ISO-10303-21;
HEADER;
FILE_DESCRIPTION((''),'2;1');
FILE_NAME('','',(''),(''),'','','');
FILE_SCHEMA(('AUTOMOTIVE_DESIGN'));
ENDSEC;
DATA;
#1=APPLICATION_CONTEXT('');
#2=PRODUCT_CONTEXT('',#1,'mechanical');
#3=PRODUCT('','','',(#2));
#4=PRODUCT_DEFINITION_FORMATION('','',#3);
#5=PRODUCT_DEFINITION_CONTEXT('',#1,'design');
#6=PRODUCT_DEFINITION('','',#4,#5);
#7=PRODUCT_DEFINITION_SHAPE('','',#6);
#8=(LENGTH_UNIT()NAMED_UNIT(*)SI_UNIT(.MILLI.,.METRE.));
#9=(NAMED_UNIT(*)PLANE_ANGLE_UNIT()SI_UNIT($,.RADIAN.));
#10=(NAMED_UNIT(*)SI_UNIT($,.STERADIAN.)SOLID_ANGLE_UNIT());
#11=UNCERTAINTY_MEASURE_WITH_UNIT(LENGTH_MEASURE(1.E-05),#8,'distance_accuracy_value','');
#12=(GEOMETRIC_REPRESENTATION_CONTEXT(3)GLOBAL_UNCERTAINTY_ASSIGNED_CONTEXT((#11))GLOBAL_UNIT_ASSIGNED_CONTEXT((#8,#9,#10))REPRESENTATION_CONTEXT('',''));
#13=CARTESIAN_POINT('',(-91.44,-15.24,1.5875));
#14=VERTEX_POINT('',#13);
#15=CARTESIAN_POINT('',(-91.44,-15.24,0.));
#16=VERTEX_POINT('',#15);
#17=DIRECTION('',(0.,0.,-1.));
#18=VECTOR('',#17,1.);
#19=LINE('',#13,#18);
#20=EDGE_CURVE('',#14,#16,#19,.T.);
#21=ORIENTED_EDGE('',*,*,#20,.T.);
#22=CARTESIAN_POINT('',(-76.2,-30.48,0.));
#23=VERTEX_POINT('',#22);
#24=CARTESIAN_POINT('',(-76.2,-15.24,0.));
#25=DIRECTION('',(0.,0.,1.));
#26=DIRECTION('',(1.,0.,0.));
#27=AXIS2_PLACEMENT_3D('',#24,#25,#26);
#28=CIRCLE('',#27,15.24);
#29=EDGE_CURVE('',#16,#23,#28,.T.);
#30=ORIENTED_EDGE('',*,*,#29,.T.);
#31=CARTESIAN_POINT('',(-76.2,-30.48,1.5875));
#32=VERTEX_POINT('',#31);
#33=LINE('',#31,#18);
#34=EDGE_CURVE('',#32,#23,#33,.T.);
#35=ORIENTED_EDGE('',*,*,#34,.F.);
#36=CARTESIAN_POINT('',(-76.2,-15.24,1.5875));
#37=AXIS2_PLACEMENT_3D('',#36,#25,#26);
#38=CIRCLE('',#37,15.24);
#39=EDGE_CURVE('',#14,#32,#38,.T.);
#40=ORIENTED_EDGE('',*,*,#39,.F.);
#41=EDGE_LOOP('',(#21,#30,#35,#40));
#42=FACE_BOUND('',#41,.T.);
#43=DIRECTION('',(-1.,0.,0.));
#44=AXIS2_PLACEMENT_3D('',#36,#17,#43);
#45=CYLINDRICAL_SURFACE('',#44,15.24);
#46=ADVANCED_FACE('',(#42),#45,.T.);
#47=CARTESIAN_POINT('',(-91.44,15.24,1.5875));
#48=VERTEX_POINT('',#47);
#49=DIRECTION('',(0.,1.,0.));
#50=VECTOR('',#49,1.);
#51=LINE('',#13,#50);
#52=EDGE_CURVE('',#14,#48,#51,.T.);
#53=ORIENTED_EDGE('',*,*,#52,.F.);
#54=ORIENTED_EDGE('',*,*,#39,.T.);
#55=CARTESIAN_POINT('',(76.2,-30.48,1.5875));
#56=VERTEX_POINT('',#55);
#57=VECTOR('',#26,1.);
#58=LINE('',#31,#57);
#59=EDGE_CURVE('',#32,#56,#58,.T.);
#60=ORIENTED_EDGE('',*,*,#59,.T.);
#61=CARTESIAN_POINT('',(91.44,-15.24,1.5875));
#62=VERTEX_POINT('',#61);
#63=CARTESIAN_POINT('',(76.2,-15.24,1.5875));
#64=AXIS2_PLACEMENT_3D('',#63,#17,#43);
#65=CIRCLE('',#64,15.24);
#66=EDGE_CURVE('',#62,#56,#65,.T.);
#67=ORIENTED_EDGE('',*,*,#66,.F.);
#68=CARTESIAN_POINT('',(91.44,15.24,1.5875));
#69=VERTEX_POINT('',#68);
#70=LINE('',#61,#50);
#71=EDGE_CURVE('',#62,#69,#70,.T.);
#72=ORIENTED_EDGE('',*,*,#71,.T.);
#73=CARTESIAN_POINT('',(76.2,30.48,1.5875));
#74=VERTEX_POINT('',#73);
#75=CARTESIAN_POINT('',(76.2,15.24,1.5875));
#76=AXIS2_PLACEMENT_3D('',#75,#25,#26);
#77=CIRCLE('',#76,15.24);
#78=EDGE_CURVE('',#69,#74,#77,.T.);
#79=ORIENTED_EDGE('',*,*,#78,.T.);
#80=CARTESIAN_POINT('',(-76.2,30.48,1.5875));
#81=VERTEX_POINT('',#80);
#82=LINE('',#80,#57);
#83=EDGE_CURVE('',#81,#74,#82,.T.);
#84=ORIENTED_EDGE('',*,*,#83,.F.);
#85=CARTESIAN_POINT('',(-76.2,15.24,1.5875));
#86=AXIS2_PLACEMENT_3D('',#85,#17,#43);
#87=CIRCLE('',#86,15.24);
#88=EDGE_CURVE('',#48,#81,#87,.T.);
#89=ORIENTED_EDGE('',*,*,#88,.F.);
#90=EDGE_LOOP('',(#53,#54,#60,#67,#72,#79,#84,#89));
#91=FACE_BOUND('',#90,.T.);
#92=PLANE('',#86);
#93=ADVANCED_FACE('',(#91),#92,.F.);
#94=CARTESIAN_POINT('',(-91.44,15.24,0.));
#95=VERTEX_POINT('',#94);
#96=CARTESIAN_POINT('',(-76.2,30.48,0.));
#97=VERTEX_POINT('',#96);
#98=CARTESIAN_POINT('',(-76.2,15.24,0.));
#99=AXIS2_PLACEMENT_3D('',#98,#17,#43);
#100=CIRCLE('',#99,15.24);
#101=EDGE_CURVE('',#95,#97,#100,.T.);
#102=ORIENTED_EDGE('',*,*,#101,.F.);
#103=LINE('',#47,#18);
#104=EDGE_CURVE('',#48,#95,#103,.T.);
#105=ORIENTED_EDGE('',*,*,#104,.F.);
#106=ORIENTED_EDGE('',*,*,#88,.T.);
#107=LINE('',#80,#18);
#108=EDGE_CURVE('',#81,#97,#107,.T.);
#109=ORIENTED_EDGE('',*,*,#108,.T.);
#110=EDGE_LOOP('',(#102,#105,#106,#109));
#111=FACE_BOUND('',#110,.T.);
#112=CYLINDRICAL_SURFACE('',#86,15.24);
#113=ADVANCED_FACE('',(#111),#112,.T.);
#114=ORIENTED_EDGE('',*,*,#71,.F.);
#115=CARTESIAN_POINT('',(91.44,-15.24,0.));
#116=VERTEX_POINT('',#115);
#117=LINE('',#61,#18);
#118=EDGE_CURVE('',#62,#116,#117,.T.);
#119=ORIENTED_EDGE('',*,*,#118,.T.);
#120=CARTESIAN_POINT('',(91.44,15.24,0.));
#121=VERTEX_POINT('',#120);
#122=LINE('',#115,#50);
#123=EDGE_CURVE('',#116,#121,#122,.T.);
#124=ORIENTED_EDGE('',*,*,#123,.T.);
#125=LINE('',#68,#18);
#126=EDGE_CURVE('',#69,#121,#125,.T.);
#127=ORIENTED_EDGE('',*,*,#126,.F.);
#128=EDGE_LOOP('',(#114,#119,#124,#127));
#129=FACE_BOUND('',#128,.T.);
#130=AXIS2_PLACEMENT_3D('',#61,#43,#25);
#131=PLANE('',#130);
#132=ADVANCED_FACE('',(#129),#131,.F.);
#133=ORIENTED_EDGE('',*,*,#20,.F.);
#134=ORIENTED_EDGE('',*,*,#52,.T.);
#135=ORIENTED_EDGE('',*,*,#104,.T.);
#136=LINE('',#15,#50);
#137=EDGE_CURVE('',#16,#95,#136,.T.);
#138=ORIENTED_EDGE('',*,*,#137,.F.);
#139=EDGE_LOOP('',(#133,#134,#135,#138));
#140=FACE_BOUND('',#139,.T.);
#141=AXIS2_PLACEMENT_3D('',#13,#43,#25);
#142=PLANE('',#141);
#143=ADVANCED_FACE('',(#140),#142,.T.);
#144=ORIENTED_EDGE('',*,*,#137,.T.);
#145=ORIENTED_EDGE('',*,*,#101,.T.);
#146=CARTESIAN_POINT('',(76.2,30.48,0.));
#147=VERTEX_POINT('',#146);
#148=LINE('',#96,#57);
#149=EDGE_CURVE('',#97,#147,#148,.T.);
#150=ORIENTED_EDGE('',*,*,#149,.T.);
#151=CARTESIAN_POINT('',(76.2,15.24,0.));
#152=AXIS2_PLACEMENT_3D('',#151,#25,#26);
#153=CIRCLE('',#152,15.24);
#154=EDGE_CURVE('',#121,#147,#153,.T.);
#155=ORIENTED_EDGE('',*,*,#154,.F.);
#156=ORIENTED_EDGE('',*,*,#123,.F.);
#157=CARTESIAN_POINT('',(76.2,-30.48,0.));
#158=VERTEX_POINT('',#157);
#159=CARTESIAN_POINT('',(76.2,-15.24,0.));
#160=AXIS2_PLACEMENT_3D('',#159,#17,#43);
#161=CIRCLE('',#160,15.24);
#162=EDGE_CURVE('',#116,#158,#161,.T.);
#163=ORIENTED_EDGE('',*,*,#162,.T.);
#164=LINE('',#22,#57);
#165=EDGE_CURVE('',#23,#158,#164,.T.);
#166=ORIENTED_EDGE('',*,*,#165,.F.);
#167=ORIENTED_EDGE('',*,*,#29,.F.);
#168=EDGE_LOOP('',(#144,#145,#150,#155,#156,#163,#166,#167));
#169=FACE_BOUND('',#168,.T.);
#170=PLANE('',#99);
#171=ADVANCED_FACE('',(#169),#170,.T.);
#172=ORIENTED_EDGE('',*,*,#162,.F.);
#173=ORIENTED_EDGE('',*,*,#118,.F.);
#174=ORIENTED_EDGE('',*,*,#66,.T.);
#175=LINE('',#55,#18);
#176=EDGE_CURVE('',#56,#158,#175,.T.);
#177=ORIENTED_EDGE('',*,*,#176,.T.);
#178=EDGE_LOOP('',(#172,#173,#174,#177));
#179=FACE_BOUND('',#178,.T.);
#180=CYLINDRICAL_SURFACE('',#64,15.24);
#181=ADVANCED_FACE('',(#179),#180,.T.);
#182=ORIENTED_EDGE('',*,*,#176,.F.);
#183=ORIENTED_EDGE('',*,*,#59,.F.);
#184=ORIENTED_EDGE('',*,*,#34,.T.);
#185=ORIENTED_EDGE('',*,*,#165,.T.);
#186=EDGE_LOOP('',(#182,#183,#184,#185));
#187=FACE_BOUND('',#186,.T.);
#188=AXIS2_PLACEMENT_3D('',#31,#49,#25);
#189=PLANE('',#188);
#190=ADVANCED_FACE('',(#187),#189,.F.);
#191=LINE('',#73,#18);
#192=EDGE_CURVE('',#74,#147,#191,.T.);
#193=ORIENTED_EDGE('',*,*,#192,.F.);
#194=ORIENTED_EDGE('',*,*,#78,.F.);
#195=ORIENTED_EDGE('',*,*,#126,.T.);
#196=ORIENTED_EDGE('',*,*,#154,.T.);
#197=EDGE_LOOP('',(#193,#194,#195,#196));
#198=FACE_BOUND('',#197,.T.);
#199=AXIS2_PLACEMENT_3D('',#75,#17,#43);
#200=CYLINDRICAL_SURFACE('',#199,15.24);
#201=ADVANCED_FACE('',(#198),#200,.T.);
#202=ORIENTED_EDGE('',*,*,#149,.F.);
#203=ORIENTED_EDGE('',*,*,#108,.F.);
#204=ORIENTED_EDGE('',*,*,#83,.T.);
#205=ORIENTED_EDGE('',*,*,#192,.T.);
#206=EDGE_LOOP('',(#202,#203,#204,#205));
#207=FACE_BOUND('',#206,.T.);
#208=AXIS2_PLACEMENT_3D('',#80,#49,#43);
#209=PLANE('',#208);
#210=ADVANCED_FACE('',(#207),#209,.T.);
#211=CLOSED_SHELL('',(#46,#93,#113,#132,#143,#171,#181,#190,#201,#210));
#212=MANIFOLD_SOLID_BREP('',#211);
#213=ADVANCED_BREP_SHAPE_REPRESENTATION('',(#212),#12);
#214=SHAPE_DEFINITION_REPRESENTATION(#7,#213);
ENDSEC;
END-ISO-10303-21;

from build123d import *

# Parameters (mm, degrees)
BOSS_EXTRUDE1_DEPTH = 1.5875


with BuildPart() as part:
    # Sketch1 → Boss-Extrude1 (new body)
    with BuildSketch(Plane.XY):
        with BuildLine():
            Line((-76.2, -30.48), (76.2, -30.48))
            ThreePointArc((76.2, -30.48), (86.976307345, -26.016307345), (91.44, -15.24))
            Line((91.44, -15.24), (91.44, 15.24))
            ThreePointArc((91.44, 15.24), (86.976307345, 26.016307345), (76.2, 30.48))
            Line((76.2, 30.48), (-76.2, 30.48))
            ThreePointArc((-76.2, 30.48), (-86.976307345, 26.016307345), (-91.44, 15.24))
            Line((-91.44, 15.24), (-91.44, -15.24))
            ThreePointArc((-91.44, -15.24), (-86.976307345, -26.016307345), (-76.2, -30.48))
        make_face()
    extrude(amount=BOSS_EXTRUDE1_DEPTH)


solid = part.part
